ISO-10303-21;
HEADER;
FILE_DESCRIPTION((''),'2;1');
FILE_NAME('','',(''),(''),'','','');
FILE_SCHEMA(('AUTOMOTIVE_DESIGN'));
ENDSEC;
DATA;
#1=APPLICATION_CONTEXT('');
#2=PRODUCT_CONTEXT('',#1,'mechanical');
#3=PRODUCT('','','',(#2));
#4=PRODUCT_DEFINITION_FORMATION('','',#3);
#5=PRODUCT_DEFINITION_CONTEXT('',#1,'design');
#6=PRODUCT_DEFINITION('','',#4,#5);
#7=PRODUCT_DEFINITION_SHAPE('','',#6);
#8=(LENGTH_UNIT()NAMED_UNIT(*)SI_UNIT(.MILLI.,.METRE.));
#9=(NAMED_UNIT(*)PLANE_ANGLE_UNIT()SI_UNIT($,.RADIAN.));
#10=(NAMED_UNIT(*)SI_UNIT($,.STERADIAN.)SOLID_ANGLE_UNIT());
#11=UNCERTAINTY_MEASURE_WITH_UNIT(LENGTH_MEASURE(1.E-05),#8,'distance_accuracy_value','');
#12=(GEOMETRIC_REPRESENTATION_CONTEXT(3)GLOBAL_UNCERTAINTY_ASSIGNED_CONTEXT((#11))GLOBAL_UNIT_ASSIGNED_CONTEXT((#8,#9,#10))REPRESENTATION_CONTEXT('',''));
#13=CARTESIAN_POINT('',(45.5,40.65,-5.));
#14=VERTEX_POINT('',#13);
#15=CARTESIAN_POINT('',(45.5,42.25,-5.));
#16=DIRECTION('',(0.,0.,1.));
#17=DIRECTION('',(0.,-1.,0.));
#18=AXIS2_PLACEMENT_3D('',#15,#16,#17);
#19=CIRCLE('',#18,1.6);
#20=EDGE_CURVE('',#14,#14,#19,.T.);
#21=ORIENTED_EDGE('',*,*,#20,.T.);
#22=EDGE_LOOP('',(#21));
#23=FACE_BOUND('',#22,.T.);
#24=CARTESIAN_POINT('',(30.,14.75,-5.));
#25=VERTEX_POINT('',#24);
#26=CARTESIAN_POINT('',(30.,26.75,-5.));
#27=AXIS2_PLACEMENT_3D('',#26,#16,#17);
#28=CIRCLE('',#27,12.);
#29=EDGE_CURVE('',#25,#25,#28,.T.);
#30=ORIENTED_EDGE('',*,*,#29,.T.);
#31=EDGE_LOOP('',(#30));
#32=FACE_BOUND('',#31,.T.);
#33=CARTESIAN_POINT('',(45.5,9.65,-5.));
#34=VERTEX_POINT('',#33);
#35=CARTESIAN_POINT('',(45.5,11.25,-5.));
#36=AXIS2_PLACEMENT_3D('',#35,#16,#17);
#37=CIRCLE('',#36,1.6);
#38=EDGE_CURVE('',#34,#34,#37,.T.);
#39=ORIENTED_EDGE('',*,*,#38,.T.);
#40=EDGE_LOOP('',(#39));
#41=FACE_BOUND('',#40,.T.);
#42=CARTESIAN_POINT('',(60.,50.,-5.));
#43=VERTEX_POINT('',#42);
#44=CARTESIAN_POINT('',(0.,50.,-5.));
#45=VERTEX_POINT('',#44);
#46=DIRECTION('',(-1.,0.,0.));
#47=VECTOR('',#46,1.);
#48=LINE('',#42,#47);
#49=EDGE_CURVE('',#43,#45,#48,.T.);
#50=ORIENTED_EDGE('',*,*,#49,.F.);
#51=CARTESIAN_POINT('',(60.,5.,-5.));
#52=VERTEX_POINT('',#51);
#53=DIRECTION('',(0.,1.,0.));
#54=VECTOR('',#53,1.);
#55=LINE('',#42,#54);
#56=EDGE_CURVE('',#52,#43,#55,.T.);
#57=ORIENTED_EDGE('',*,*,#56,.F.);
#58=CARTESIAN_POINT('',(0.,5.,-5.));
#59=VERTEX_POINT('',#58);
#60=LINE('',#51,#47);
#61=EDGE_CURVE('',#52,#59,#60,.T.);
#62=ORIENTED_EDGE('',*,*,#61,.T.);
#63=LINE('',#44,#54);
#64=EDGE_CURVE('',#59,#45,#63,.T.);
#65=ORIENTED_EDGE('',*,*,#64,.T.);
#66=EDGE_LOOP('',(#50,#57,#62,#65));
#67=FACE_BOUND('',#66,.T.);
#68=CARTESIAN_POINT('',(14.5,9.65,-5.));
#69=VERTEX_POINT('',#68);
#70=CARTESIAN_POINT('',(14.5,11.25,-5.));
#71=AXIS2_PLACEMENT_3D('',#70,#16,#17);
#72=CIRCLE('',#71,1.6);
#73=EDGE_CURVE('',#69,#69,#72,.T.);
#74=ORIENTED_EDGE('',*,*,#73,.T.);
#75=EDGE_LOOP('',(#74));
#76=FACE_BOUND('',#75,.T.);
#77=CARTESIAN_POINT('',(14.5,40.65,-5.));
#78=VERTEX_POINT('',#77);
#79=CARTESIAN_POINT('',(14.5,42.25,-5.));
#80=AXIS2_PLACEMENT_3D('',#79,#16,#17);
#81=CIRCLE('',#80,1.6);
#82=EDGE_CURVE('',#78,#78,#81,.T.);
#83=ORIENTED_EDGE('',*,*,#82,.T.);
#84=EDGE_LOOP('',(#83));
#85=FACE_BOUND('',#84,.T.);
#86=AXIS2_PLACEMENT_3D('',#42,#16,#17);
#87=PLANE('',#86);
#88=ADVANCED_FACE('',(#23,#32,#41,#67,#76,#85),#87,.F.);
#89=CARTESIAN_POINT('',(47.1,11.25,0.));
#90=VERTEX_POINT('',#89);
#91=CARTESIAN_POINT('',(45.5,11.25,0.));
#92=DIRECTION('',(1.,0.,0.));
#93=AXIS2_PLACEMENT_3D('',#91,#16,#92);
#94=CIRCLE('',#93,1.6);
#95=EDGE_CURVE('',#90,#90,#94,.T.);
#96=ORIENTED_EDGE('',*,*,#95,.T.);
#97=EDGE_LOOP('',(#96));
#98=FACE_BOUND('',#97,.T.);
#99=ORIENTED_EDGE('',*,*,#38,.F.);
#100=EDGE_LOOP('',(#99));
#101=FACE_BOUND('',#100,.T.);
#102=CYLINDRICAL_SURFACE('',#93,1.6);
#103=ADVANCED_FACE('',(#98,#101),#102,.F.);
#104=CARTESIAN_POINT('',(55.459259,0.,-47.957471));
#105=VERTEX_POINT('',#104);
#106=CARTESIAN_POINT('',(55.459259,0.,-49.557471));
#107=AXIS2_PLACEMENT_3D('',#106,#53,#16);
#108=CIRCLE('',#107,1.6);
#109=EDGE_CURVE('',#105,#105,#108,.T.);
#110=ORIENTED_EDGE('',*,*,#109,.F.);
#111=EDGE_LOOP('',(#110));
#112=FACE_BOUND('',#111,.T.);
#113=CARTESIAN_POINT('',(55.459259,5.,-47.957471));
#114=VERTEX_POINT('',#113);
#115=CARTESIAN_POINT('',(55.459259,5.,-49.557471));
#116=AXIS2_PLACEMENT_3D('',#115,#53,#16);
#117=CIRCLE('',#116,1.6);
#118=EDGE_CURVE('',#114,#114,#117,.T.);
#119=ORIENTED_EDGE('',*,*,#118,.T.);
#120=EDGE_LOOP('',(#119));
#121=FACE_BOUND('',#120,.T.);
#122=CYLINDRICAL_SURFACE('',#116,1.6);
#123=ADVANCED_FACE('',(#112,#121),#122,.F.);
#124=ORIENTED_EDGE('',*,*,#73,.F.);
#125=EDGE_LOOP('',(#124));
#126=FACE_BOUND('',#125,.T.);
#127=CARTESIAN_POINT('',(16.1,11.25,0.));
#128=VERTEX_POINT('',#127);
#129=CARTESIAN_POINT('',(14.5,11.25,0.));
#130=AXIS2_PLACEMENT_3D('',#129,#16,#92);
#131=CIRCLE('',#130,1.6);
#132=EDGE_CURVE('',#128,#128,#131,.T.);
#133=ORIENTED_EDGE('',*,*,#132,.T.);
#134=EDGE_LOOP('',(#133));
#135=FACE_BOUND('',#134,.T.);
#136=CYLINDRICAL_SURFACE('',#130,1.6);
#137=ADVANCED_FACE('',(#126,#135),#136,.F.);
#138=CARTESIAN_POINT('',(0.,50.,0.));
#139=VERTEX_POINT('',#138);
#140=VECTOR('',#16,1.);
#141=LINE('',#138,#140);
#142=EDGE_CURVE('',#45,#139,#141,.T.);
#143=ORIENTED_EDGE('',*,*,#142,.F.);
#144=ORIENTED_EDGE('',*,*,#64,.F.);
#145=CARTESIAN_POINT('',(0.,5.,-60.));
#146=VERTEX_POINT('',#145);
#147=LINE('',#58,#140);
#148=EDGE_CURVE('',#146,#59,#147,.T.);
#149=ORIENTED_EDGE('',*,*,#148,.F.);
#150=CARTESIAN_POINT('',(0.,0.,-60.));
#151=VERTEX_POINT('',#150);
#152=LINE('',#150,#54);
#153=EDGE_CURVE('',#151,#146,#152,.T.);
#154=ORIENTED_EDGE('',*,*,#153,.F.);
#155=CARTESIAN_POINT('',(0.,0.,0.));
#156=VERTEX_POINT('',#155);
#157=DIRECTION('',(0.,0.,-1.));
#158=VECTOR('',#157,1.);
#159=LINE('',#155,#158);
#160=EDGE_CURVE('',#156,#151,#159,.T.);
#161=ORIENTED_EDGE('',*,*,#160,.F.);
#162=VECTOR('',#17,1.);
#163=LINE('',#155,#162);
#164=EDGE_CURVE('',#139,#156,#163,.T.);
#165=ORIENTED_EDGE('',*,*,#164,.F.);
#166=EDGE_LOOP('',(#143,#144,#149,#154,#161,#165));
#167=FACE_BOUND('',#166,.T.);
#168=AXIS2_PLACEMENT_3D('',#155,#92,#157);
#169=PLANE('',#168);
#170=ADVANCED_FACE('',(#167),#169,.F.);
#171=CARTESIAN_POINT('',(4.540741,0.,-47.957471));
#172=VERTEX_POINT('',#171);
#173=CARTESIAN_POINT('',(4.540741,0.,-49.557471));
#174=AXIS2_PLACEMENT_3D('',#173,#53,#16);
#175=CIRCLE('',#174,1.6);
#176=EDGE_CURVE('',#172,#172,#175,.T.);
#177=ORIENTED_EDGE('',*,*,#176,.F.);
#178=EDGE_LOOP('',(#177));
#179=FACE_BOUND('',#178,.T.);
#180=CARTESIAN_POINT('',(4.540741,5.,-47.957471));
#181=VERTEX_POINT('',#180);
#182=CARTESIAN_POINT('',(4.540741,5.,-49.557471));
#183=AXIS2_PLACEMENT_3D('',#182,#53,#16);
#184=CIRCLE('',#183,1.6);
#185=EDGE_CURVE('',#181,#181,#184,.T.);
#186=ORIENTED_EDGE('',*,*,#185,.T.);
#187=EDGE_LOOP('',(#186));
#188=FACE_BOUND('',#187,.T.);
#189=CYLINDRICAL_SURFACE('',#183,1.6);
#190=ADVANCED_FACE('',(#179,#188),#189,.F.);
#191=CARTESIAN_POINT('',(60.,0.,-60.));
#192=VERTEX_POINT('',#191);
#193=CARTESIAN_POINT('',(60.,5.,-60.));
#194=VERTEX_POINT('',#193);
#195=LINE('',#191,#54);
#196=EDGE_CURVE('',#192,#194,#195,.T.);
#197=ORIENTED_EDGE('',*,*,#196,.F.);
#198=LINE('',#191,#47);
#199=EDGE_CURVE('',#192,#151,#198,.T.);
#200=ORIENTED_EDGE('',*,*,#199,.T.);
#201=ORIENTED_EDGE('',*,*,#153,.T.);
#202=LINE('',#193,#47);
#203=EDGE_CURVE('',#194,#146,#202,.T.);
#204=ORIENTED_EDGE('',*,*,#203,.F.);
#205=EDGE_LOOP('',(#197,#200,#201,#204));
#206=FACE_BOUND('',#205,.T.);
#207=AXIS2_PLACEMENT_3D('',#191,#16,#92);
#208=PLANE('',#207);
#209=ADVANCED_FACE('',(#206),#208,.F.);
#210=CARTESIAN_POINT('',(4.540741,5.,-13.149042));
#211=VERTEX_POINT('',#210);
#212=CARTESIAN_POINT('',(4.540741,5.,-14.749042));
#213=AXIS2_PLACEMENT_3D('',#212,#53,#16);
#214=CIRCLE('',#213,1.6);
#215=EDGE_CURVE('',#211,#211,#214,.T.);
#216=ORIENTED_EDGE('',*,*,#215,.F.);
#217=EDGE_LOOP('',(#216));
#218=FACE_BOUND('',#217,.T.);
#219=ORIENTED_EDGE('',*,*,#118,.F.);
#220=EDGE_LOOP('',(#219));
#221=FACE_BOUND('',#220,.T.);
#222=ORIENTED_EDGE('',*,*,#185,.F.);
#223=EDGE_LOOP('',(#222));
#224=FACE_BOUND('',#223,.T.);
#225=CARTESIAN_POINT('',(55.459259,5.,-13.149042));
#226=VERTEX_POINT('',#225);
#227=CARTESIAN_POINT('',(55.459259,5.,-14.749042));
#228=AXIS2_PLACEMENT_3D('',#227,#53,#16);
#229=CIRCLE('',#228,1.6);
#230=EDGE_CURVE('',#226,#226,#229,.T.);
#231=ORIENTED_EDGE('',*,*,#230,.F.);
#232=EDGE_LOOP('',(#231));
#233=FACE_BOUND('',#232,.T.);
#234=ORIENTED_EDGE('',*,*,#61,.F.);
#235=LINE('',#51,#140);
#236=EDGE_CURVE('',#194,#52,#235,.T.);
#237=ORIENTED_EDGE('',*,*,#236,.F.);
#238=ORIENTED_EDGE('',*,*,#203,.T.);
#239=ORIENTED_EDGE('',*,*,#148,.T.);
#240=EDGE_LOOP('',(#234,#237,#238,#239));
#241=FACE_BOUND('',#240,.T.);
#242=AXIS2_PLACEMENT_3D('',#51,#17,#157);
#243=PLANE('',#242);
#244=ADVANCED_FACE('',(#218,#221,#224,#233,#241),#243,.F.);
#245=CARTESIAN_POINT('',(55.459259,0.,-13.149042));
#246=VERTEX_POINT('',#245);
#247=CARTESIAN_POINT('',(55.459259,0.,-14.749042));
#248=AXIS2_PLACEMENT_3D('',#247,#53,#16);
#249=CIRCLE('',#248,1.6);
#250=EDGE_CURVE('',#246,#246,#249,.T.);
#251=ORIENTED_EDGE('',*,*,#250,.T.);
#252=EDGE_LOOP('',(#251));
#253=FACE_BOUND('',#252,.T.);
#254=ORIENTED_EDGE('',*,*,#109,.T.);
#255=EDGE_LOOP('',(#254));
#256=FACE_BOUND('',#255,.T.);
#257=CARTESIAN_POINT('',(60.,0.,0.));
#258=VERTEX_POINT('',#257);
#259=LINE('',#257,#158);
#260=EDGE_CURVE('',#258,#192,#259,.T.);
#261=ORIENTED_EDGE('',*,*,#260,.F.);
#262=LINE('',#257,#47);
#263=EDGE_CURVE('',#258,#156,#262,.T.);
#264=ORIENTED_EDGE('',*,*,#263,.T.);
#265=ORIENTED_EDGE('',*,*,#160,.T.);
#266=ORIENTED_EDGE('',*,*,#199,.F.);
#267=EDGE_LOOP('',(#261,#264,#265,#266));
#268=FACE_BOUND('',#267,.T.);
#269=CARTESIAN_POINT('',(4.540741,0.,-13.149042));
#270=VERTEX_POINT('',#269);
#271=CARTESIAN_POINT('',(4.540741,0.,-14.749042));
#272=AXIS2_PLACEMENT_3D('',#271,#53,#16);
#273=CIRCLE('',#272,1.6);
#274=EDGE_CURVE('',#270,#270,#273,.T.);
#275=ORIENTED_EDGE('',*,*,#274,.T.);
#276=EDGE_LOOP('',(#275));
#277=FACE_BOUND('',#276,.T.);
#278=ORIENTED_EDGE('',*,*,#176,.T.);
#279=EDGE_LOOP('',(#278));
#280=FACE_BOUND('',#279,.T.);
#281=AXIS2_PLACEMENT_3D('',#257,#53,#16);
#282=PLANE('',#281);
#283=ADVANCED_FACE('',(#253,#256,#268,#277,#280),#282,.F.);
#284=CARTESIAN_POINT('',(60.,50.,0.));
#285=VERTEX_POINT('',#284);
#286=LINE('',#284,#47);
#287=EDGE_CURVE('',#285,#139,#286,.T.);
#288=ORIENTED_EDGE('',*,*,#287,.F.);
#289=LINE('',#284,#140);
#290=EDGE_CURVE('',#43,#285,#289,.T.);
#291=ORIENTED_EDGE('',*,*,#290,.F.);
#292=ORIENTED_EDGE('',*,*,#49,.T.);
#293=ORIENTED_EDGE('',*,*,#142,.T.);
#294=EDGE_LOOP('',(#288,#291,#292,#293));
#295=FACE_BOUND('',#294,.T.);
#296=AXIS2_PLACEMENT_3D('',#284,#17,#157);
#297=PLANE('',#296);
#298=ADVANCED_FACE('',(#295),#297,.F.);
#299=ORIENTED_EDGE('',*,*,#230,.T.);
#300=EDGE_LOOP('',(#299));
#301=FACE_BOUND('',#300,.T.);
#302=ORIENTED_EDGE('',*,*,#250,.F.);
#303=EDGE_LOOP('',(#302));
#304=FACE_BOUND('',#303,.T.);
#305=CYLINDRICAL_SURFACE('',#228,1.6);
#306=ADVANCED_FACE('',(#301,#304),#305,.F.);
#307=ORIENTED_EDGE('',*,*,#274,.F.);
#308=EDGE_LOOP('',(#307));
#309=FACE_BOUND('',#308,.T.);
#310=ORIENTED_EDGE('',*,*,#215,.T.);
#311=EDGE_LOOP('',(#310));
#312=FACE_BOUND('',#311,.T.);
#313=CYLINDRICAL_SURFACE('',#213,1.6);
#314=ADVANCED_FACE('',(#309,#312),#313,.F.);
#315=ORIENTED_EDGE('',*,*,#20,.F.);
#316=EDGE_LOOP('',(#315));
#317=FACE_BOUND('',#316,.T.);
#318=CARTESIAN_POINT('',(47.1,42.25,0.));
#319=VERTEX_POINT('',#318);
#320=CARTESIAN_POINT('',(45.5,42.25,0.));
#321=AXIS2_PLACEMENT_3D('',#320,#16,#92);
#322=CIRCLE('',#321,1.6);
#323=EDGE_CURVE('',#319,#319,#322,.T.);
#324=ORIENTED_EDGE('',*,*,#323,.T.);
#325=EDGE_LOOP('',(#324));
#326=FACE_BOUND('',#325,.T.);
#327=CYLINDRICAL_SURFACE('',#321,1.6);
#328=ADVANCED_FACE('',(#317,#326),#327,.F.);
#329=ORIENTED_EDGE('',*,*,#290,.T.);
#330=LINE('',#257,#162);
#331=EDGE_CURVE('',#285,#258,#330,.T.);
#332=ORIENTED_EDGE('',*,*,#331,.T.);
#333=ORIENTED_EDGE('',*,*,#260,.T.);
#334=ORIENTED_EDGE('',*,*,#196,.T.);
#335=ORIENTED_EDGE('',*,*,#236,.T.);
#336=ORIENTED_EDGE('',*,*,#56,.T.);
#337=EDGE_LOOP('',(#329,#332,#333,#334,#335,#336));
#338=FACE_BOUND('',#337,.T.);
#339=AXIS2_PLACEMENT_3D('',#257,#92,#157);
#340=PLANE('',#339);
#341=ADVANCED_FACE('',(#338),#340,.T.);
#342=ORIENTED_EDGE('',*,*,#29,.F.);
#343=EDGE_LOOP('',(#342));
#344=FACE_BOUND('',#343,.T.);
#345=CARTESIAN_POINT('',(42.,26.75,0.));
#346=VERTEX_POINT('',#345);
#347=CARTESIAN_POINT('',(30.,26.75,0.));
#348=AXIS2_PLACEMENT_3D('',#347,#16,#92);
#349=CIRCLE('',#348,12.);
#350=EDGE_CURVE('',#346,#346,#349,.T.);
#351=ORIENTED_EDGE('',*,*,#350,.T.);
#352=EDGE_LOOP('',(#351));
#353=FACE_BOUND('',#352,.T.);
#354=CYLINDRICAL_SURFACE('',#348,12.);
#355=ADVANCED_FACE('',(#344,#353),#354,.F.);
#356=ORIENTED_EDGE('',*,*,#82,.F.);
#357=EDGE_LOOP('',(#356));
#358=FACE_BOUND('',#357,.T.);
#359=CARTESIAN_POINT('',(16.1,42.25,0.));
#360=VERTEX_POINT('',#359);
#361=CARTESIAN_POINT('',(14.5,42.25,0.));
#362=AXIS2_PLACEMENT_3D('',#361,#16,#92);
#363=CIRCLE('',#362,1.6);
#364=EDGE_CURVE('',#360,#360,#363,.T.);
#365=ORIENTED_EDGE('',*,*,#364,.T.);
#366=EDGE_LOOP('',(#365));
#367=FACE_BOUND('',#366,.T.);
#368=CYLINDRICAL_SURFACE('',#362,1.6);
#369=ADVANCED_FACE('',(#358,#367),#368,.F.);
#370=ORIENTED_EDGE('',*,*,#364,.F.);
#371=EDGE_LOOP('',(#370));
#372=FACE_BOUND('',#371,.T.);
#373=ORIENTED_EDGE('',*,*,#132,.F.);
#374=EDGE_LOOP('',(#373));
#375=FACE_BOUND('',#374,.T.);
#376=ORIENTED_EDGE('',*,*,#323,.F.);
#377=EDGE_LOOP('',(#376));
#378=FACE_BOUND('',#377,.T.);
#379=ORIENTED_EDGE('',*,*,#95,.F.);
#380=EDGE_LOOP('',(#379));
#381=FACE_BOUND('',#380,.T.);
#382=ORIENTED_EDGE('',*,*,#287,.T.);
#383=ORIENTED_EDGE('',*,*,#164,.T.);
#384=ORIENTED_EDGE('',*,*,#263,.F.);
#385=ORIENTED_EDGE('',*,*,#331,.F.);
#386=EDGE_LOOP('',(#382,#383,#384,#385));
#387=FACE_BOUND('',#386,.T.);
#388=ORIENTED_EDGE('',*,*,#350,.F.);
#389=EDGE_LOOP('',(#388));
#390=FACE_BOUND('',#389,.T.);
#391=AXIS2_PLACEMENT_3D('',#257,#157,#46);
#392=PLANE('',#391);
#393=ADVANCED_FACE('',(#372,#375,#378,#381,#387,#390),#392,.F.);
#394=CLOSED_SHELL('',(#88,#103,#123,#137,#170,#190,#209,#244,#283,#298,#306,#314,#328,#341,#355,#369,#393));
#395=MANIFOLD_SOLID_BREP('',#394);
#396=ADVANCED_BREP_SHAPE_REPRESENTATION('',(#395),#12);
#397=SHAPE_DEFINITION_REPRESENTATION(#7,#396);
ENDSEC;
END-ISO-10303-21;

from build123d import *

# Parameters (mm, degrees)
EXTRUDE_1_DEPTH = 60
HOLE_WIZARD_2_D = 24
HOLE_WIZARD_3_D = 3.2
HOLE_WIZARD_4_D = 3.2


with BuildPart() as part:
    # 草图1 → 凸台-拉伸1 (new body)
    with BuildSketch(Plane(origin=(0, 0, 0), x_dir=(0, 0, -1), z_dir=(1, 0, 0))):
        Polygon((0, 0), (0, 50), (5, 50), (5, 5), (60, 5), (60, 0), align=None)
    extrude(amount=EXTRUDE_1_DEPTH)

    # 孔2 (through all)
    with Locations(Plane.XY):
        with Locations((30, 26.75)):
            Hole(HOLE_WIZARD_2_D / 2)

    # 孔3 (through all)
    with Locations(Plane.XY):
        with Locations((14.5, 42.25), (45.5, 42.25), (45.5, 11.25), (14.5, 11.25)):
            Hole(HOLE_WIZARD_3_D / 2)

    # 孔4 (through all)
    with Locations(Plane(origin=(0, 5, 0), x_dir=(1, 0, 0), z_dir=(0, 1, 0))):
        with Locations((55.459259259, 14.749042146), (55.459259259, 49.557471264), (4.540740741, 14.749042146), (4.540740741, 49.557471264)):
            Hole(HOLE_WIZARD_4_D / 2)


solid = part.part
